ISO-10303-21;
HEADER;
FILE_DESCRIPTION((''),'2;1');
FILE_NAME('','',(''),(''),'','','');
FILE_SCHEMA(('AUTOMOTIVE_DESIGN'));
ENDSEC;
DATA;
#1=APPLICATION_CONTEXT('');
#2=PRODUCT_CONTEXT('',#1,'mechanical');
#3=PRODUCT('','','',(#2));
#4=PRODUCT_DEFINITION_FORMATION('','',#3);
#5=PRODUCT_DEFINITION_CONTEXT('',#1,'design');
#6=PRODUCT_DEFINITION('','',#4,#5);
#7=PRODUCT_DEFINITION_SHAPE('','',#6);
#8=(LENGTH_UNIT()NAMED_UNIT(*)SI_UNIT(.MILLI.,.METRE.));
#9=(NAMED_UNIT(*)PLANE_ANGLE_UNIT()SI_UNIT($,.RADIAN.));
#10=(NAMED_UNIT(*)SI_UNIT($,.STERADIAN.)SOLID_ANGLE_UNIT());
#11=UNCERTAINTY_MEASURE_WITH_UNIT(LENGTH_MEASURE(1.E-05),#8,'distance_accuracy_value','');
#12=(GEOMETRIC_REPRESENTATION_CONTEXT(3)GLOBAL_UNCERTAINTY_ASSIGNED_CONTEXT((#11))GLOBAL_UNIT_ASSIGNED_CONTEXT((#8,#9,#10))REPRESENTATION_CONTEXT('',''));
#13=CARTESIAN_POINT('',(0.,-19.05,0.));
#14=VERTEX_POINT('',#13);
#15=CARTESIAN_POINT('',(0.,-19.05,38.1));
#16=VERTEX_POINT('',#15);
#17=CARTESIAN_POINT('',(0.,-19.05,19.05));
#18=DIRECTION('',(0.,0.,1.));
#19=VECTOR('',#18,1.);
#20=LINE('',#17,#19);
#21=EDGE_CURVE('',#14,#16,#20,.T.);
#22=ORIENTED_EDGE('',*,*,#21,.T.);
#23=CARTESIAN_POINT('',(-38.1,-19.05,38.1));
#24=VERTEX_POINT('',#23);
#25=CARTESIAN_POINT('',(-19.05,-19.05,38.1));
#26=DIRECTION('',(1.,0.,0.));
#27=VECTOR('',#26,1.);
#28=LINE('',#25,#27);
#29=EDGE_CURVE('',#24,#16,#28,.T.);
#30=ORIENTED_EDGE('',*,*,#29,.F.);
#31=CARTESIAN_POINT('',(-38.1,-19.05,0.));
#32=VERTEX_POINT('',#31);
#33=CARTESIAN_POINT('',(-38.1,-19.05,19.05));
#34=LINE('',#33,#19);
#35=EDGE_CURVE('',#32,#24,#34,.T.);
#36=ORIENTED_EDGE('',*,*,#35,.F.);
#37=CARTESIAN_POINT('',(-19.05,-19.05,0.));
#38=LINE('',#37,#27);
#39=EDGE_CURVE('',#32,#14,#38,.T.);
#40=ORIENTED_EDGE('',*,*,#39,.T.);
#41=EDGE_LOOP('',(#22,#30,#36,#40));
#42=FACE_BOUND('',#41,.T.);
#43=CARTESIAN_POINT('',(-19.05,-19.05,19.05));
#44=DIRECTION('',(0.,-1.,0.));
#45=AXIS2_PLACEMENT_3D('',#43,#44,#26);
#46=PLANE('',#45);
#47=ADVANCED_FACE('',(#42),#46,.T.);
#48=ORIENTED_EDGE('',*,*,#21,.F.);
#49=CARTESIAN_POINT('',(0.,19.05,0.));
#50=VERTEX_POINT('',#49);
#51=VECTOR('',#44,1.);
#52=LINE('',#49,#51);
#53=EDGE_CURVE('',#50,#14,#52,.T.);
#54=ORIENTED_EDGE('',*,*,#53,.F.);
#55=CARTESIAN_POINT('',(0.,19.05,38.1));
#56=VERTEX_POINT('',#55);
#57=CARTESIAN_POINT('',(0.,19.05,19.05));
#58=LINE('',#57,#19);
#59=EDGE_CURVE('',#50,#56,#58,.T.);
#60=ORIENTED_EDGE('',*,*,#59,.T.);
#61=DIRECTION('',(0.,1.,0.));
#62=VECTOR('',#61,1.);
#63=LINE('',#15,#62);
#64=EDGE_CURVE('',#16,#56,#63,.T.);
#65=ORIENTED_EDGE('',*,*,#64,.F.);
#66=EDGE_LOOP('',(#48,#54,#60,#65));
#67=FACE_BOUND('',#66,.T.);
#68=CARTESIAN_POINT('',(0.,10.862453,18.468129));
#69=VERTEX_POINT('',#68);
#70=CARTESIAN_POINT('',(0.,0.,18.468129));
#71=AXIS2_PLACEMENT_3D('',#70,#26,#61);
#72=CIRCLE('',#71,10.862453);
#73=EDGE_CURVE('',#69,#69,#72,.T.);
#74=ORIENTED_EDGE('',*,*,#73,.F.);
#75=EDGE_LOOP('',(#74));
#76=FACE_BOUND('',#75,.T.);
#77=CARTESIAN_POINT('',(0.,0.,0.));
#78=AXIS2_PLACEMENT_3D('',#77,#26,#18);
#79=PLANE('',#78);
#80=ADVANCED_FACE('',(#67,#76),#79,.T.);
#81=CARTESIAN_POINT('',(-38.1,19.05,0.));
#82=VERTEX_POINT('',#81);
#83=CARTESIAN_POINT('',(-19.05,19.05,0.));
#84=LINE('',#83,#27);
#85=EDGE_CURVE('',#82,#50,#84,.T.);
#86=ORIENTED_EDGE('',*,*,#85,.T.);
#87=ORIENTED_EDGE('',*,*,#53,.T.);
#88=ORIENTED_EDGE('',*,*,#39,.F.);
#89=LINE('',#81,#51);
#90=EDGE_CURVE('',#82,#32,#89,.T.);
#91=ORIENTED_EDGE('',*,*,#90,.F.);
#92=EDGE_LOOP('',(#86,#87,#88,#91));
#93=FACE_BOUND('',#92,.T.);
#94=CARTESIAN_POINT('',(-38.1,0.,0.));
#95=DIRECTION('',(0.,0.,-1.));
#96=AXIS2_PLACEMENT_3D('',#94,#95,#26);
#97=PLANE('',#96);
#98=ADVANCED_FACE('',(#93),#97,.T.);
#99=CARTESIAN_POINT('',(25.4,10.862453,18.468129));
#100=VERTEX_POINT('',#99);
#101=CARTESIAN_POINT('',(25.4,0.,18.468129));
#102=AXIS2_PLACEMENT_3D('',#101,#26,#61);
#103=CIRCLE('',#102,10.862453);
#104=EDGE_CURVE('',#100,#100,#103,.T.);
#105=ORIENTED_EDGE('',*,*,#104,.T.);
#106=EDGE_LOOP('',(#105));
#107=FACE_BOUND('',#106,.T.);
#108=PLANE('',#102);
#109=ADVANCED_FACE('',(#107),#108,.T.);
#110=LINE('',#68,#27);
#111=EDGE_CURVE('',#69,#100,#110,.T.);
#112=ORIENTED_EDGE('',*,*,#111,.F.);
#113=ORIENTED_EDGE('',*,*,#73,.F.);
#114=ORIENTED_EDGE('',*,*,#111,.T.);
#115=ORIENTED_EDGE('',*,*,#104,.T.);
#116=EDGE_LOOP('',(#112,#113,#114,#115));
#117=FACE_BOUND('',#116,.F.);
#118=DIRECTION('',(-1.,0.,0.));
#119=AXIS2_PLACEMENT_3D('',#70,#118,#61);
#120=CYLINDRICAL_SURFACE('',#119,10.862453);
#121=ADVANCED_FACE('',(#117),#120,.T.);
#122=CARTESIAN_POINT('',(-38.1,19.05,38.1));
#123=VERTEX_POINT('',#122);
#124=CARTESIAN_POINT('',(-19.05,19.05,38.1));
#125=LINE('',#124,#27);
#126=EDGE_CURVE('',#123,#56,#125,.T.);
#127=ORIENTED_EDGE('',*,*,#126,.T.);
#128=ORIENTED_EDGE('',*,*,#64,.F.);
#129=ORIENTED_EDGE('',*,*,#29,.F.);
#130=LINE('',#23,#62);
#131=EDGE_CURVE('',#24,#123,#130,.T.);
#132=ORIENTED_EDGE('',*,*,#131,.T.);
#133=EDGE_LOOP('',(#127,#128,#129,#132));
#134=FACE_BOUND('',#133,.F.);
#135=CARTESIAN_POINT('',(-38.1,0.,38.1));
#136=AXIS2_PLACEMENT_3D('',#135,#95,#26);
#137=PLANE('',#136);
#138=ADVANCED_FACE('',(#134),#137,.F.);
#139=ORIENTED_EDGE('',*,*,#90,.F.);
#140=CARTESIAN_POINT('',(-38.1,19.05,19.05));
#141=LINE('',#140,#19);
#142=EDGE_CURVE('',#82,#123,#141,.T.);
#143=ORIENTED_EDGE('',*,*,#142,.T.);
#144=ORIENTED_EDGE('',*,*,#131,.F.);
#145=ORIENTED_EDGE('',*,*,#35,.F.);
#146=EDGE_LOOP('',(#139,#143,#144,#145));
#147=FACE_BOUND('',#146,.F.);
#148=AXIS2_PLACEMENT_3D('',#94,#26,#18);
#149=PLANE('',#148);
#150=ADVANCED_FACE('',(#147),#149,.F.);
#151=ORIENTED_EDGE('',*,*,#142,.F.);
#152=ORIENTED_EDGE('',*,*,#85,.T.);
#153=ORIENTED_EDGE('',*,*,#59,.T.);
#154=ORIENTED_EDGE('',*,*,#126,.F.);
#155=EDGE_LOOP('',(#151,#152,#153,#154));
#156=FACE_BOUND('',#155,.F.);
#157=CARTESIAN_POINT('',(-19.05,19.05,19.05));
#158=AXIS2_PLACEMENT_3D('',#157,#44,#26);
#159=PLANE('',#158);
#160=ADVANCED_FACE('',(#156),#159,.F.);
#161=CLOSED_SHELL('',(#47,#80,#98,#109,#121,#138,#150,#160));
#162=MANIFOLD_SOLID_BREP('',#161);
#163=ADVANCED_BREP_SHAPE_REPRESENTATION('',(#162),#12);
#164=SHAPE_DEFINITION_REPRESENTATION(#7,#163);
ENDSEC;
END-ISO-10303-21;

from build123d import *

# Parameters (mm, degrees)
F0_W     = 38.1
F0_H     = 38.1
F1_DEPTH = 19.05
F2_R     = 10.862453
F3_DEPTH = 25.4


with BuildPart() as f1:
    # F0 (on Front) → F1 (new body, symmetric)
    with BuildSketch(Plane.XZ):
        with Locations((-19.05, 19.05)):
            Rectangle(F0_W, F0_H)
    extrude(amount=F1_DEPTH, both=True)

    # F2 (on face) → F3 (join)
    with BuildSketch(Plane.YZ):
        with Locations((0, 18.468129)):
            Circle(F2_R)
    extrude(amount=F3_DEPTH)


solid = f1.part
